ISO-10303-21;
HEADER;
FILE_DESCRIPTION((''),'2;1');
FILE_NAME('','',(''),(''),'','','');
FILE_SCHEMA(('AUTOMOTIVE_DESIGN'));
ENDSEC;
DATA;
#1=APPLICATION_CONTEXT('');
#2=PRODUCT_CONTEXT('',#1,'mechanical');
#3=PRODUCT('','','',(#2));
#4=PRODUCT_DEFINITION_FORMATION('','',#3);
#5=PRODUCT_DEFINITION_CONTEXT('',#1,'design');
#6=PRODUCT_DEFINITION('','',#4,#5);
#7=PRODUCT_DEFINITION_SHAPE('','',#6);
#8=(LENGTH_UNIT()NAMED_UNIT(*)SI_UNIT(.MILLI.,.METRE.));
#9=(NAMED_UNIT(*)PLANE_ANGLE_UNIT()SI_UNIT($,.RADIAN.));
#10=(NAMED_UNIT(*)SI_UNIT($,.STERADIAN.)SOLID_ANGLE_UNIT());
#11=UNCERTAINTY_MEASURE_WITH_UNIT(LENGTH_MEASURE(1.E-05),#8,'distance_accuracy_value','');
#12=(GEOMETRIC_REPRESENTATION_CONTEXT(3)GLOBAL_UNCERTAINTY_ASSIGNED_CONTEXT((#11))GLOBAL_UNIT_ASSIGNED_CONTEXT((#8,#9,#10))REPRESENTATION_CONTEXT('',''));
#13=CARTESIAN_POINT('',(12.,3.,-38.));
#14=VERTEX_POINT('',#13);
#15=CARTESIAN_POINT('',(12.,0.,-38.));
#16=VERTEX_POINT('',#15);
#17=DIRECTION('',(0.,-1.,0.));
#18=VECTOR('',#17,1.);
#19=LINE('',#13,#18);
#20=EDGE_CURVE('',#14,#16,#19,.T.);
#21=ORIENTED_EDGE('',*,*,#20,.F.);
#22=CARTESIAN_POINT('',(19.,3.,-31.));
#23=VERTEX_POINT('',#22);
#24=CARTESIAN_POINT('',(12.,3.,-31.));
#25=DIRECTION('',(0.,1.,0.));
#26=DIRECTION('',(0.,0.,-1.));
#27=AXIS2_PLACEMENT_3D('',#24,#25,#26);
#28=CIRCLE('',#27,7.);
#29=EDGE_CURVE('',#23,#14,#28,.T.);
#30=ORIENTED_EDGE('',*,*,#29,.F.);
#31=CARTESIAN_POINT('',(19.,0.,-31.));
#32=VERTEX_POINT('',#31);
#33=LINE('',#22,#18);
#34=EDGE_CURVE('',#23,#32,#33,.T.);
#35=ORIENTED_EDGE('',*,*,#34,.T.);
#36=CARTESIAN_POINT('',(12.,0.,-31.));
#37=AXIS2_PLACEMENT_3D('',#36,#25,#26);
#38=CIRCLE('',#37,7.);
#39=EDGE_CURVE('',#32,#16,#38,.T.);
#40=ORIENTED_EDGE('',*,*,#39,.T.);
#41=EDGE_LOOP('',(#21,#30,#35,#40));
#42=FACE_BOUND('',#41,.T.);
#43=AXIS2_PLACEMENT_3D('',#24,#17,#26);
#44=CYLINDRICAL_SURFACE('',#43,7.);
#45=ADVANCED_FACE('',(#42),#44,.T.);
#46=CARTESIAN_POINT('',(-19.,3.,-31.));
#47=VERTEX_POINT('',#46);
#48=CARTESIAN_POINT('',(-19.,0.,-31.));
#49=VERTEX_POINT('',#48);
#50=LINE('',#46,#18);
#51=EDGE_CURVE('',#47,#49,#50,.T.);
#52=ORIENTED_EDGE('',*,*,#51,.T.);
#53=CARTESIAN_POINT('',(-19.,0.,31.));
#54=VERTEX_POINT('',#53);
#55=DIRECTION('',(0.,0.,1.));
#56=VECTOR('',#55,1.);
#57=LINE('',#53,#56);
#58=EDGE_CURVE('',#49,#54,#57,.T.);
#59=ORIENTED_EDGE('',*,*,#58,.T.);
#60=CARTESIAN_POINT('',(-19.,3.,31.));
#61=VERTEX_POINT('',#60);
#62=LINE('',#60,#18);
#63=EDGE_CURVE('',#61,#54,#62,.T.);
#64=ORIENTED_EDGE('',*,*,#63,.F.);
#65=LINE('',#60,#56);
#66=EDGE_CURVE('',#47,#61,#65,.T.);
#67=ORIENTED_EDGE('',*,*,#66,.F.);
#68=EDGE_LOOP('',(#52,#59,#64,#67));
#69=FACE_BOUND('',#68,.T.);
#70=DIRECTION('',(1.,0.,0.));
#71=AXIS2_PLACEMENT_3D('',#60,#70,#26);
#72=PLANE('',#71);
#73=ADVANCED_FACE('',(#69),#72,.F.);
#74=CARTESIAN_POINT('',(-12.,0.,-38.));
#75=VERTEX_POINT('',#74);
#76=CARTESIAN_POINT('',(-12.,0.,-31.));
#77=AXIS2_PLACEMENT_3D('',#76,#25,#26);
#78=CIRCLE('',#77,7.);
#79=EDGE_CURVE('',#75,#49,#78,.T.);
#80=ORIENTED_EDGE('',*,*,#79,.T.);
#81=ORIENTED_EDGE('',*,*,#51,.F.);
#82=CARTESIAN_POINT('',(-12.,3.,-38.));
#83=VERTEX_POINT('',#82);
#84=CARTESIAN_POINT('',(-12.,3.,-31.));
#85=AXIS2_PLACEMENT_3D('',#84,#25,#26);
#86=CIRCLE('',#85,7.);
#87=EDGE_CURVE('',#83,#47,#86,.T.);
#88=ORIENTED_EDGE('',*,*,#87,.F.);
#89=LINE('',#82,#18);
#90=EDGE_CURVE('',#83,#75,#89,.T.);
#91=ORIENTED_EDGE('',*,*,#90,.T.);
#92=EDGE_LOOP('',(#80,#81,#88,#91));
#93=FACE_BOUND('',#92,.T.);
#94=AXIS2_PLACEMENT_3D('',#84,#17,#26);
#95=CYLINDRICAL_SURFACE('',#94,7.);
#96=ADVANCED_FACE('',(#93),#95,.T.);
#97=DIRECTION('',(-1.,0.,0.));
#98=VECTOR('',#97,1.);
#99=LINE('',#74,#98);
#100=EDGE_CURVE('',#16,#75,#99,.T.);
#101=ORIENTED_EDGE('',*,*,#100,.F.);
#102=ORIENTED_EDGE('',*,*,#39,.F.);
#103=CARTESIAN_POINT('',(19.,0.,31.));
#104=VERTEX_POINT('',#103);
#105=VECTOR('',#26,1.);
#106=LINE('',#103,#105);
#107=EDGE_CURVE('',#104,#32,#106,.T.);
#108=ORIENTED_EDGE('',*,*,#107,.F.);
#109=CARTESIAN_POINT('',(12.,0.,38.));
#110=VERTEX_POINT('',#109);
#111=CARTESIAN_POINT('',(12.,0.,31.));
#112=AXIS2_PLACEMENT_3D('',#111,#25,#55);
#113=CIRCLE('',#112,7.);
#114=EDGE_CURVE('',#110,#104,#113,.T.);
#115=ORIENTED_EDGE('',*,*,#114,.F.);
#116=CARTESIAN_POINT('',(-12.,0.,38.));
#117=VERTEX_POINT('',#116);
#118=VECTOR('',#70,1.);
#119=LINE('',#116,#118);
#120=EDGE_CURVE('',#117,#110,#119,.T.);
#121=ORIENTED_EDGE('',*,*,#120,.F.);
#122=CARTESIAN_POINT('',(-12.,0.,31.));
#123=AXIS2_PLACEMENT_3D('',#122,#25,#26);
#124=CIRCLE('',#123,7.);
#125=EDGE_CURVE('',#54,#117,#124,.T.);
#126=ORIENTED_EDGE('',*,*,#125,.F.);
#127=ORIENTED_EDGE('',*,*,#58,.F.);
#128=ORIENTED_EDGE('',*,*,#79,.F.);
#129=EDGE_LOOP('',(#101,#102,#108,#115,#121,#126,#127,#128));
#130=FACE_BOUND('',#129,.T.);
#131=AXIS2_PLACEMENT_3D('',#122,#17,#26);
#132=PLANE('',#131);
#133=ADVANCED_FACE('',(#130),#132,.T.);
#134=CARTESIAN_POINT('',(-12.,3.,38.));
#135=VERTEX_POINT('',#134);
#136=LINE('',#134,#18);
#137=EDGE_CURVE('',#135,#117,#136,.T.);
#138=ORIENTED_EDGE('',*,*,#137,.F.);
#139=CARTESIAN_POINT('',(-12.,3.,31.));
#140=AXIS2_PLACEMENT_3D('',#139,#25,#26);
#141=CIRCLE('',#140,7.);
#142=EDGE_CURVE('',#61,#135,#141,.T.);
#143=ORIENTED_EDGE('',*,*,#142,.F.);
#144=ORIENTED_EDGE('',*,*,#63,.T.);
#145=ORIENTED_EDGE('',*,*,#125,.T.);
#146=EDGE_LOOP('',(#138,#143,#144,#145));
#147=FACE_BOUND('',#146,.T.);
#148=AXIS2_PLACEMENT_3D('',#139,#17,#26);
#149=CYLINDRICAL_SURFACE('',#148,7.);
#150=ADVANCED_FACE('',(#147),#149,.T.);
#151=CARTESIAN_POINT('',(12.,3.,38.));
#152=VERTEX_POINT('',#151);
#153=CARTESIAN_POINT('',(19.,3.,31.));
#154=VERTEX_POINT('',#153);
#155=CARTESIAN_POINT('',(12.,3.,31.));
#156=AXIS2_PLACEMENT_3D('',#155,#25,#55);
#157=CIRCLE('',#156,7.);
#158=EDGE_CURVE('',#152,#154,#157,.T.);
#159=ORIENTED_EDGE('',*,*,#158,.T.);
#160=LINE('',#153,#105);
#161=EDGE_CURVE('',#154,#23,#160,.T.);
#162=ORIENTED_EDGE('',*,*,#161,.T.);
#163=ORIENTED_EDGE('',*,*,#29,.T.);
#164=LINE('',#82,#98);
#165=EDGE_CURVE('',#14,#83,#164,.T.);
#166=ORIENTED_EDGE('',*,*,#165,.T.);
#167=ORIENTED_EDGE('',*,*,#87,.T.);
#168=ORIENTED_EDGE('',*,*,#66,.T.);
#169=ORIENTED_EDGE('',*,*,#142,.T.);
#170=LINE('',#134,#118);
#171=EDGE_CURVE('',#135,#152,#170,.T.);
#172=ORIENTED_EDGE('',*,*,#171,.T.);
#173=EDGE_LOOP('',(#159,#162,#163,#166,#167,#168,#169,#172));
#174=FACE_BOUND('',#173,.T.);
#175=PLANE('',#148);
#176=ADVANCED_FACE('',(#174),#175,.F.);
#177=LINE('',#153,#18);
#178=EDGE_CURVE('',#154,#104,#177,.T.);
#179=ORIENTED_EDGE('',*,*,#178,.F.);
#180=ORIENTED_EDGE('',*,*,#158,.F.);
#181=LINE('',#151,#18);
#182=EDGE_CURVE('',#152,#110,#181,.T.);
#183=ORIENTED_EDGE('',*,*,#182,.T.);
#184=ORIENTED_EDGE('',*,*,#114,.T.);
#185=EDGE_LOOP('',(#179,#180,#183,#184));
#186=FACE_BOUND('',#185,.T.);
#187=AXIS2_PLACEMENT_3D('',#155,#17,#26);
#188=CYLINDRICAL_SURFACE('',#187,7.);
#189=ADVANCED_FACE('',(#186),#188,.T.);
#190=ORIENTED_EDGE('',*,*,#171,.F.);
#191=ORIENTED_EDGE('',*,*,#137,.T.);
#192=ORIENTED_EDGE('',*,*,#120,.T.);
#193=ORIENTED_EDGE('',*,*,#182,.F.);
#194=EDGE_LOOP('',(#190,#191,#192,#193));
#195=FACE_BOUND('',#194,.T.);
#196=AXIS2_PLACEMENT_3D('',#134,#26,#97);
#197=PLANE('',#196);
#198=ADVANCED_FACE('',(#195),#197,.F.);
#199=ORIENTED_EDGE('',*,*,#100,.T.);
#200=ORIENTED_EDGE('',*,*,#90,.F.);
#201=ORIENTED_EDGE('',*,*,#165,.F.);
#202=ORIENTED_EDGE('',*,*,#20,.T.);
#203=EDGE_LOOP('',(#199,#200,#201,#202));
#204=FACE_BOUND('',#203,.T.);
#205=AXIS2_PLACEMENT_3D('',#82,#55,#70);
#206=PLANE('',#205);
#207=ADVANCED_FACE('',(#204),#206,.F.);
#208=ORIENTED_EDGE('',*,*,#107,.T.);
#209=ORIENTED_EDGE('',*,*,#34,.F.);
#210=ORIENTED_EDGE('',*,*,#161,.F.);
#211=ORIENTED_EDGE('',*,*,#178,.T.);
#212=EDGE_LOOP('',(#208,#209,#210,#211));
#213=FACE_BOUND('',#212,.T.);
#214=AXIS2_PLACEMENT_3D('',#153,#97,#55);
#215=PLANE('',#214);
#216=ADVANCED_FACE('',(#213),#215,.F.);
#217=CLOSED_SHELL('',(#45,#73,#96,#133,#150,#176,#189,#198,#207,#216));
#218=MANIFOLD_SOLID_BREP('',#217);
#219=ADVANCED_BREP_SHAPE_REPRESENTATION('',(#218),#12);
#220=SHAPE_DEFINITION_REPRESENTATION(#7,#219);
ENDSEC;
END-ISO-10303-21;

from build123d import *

# Parameters (mm, degrees)
BOSS_EXTRUDE1_DEPTH = 3


with BuildPart() as part:
    # Sketch1 → Boss-Extrude1 (new body)
    with BuildSketch(Plane(origin=(0, 0, 0), x_dir=(1, 0, 0), z_dir=(0, 1, 0))):
        with BuildLine():
            Line((-12, -38), (12, -38))
            ThreePointArc((12, -38), (16.949747468, -35.949747468), (19, -31))
            Line((19, -31), (19, 31))
            ThreePointArc((19, 31), (16.949747468, 35.949747468), (12, 38))
            Line((12, 38), (-12, 38))
            ThreePointArc((-12, 38), (-16.949747468, 35.949747468), (-19, 31))
            Line((-19, 31), (-19, -31))
            ThreePointArc((-19, -31), (-16.949747468, -35.949747468), (-12, -38))
        make_face()
    extrude(amount=BOSS_EXTRUDE1_DEPTH)


solid = part.part
